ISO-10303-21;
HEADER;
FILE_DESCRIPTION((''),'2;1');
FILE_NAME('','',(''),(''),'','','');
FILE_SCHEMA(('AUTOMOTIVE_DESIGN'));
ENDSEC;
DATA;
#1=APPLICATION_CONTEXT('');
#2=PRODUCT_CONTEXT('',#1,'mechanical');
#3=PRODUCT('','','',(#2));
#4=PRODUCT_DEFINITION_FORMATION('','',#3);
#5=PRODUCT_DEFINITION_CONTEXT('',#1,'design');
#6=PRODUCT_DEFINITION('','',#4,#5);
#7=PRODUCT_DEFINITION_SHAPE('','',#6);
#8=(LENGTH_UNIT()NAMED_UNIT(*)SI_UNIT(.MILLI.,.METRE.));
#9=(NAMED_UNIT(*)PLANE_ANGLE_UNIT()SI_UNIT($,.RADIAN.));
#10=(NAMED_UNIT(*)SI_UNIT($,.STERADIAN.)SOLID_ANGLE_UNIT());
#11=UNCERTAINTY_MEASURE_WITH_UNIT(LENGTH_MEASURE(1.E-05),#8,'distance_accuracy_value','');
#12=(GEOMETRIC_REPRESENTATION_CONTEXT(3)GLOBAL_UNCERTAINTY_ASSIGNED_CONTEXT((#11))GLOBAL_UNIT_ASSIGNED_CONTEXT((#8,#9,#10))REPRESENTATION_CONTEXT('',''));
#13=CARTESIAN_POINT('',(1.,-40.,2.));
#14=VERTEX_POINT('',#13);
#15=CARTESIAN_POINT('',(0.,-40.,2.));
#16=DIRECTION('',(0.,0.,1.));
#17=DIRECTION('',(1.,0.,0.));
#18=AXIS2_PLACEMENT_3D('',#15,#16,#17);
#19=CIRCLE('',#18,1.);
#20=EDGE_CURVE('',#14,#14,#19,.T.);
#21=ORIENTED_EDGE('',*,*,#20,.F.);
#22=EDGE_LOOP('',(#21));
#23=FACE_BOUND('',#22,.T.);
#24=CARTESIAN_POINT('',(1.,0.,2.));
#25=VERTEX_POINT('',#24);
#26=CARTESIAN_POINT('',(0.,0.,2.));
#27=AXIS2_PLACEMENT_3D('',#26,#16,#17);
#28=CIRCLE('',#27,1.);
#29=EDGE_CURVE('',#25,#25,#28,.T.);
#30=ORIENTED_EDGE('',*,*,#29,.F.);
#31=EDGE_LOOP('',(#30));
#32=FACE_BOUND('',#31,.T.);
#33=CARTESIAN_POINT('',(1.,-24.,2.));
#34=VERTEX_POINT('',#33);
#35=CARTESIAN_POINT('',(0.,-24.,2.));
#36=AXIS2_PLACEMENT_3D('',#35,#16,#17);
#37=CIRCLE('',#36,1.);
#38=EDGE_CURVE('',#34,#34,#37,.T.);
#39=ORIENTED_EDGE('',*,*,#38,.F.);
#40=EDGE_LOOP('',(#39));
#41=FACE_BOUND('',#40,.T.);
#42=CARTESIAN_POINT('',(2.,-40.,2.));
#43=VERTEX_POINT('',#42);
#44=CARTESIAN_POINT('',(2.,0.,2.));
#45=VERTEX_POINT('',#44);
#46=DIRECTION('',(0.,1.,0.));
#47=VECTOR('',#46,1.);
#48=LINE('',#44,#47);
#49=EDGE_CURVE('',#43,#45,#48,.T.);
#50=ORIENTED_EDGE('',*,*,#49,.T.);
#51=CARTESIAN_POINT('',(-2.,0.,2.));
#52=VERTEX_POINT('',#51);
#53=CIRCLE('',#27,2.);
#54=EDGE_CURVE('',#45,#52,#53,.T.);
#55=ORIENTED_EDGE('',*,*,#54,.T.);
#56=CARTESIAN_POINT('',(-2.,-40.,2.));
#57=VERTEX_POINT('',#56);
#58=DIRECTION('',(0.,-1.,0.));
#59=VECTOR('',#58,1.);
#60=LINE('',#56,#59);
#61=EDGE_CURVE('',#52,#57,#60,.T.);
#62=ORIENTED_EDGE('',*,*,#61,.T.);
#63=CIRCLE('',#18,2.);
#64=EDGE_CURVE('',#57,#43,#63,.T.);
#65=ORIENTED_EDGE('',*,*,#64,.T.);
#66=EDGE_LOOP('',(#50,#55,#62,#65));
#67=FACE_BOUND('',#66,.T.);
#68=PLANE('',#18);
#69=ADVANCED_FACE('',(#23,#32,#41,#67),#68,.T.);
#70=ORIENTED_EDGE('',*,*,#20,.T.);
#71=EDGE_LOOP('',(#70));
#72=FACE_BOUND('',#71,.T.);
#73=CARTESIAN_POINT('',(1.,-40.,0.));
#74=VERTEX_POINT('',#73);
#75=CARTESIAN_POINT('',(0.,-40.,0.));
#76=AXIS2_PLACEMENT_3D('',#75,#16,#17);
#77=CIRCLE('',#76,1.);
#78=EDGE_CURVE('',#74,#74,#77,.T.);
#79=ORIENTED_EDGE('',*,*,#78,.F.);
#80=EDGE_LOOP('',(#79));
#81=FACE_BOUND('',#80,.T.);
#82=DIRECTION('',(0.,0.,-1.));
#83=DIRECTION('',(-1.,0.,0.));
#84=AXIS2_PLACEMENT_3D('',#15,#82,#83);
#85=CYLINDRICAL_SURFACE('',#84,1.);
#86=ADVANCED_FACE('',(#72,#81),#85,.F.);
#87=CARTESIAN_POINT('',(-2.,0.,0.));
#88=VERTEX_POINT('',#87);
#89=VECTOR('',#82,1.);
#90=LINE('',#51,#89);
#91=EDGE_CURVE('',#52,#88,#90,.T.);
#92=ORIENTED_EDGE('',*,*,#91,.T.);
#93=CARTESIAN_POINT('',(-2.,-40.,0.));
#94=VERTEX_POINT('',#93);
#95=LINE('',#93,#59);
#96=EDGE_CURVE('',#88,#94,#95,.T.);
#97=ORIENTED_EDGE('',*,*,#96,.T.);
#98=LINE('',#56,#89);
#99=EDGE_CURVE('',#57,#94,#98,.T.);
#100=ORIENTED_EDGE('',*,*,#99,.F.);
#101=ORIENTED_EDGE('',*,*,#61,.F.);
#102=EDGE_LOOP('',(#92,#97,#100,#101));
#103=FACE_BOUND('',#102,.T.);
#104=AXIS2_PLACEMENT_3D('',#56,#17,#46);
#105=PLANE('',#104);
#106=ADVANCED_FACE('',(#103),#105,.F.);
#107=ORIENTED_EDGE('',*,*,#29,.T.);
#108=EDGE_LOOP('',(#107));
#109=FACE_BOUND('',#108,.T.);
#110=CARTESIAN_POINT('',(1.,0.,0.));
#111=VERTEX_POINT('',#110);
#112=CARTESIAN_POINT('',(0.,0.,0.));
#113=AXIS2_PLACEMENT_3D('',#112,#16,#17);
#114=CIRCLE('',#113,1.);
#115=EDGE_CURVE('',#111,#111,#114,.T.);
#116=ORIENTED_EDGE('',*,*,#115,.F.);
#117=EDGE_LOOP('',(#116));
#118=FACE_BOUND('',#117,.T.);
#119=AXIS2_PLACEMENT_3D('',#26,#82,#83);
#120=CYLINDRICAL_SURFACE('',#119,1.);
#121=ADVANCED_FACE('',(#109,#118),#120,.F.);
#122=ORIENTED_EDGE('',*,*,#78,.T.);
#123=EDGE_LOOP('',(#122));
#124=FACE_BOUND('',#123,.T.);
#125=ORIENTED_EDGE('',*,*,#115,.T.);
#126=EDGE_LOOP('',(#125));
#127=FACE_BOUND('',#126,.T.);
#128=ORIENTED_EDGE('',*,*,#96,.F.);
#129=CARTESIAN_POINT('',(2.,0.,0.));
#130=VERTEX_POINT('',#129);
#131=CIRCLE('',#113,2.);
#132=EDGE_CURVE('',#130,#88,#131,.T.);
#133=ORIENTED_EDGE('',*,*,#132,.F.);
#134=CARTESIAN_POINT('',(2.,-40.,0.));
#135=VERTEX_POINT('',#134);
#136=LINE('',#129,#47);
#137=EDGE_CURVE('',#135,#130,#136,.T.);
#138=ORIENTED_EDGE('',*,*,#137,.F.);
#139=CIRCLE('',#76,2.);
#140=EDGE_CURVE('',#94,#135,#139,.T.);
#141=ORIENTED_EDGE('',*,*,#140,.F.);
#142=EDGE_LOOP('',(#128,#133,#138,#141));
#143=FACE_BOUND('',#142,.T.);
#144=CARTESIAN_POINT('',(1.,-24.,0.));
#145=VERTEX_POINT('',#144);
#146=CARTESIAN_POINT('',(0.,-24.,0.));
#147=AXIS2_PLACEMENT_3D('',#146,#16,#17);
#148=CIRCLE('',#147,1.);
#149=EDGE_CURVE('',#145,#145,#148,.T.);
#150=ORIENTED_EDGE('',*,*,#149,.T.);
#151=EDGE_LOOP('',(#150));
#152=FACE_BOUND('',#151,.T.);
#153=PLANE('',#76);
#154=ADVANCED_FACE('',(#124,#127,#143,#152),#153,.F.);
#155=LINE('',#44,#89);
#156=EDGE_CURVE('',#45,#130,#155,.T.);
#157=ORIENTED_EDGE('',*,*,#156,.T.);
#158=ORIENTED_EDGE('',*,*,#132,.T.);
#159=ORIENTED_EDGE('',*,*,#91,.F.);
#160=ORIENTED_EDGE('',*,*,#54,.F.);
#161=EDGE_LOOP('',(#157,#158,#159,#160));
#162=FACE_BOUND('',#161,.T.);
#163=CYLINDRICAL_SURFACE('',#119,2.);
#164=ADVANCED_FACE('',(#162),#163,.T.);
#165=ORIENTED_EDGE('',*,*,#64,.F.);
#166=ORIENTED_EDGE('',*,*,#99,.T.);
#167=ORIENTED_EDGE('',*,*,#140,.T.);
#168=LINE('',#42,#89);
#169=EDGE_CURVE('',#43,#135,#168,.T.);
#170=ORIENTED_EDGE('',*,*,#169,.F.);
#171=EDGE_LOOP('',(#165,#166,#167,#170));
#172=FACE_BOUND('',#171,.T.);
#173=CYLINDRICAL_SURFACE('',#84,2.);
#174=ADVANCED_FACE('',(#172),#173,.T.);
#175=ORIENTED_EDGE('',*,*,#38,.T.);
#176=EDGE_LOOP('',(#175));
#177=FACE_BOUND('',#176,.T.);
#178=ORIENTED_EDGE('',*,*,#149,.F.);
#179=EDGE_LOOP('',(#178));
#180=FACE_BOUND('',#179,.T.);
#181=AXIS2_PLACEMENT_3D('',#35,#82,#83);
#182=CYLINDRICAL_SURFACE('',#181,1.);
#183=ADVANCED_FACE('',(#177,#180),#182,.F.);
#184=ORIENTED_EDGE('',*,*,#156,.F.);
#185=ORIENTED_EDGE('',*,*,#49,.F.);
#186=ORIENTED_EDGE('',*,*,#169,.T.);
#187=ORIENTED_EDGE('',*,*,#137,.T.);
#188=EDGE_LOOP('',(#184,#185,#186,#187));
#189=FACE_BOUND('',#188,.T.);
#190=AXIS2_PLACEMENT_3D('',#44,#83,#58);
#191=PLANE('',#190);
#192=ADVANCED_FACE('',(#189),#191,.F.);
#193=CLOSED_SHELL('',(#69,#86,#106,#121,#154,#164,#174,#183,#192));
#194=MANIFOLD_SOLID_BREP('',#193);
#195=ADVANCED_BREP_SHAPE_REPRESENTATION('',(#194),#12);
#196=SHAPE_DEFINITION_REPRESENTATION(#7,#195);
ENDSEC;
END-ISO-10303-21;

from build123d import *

# Parameters (mm, degrees)
SKETCH1_R           = 1
BOSS_EXTRUDE1_DEPTH = 2


with BuildPart() as part:
    # Sketch1 → Boss-Extrude1 (new body)
    with BuildSketch(Plane.XY):
        with BuildLine():
            Line((2, 0), (2, -40))
            ThreePointArc((2, -40), (0, -42), (-2, -40))
            Line((-2, -40), (-2, 0))
            ThreePointArc((-2, 0), (0, 2), (2, 0))
        make_face()
        Circle(SKETCH1_R, mode=Mode.SUBTRACT)
        with Locations((0, -40)):
            Circle(SKETCH1_R, mode=Mode.SUBTRACT)
        with Locations((0, -24)):
            Circle(SKETCH1_R, mode=Mode.SUBTRACT)
    extrude(amount=BOSS_EXTRUDE1_DEPTH)


solid = part.part
